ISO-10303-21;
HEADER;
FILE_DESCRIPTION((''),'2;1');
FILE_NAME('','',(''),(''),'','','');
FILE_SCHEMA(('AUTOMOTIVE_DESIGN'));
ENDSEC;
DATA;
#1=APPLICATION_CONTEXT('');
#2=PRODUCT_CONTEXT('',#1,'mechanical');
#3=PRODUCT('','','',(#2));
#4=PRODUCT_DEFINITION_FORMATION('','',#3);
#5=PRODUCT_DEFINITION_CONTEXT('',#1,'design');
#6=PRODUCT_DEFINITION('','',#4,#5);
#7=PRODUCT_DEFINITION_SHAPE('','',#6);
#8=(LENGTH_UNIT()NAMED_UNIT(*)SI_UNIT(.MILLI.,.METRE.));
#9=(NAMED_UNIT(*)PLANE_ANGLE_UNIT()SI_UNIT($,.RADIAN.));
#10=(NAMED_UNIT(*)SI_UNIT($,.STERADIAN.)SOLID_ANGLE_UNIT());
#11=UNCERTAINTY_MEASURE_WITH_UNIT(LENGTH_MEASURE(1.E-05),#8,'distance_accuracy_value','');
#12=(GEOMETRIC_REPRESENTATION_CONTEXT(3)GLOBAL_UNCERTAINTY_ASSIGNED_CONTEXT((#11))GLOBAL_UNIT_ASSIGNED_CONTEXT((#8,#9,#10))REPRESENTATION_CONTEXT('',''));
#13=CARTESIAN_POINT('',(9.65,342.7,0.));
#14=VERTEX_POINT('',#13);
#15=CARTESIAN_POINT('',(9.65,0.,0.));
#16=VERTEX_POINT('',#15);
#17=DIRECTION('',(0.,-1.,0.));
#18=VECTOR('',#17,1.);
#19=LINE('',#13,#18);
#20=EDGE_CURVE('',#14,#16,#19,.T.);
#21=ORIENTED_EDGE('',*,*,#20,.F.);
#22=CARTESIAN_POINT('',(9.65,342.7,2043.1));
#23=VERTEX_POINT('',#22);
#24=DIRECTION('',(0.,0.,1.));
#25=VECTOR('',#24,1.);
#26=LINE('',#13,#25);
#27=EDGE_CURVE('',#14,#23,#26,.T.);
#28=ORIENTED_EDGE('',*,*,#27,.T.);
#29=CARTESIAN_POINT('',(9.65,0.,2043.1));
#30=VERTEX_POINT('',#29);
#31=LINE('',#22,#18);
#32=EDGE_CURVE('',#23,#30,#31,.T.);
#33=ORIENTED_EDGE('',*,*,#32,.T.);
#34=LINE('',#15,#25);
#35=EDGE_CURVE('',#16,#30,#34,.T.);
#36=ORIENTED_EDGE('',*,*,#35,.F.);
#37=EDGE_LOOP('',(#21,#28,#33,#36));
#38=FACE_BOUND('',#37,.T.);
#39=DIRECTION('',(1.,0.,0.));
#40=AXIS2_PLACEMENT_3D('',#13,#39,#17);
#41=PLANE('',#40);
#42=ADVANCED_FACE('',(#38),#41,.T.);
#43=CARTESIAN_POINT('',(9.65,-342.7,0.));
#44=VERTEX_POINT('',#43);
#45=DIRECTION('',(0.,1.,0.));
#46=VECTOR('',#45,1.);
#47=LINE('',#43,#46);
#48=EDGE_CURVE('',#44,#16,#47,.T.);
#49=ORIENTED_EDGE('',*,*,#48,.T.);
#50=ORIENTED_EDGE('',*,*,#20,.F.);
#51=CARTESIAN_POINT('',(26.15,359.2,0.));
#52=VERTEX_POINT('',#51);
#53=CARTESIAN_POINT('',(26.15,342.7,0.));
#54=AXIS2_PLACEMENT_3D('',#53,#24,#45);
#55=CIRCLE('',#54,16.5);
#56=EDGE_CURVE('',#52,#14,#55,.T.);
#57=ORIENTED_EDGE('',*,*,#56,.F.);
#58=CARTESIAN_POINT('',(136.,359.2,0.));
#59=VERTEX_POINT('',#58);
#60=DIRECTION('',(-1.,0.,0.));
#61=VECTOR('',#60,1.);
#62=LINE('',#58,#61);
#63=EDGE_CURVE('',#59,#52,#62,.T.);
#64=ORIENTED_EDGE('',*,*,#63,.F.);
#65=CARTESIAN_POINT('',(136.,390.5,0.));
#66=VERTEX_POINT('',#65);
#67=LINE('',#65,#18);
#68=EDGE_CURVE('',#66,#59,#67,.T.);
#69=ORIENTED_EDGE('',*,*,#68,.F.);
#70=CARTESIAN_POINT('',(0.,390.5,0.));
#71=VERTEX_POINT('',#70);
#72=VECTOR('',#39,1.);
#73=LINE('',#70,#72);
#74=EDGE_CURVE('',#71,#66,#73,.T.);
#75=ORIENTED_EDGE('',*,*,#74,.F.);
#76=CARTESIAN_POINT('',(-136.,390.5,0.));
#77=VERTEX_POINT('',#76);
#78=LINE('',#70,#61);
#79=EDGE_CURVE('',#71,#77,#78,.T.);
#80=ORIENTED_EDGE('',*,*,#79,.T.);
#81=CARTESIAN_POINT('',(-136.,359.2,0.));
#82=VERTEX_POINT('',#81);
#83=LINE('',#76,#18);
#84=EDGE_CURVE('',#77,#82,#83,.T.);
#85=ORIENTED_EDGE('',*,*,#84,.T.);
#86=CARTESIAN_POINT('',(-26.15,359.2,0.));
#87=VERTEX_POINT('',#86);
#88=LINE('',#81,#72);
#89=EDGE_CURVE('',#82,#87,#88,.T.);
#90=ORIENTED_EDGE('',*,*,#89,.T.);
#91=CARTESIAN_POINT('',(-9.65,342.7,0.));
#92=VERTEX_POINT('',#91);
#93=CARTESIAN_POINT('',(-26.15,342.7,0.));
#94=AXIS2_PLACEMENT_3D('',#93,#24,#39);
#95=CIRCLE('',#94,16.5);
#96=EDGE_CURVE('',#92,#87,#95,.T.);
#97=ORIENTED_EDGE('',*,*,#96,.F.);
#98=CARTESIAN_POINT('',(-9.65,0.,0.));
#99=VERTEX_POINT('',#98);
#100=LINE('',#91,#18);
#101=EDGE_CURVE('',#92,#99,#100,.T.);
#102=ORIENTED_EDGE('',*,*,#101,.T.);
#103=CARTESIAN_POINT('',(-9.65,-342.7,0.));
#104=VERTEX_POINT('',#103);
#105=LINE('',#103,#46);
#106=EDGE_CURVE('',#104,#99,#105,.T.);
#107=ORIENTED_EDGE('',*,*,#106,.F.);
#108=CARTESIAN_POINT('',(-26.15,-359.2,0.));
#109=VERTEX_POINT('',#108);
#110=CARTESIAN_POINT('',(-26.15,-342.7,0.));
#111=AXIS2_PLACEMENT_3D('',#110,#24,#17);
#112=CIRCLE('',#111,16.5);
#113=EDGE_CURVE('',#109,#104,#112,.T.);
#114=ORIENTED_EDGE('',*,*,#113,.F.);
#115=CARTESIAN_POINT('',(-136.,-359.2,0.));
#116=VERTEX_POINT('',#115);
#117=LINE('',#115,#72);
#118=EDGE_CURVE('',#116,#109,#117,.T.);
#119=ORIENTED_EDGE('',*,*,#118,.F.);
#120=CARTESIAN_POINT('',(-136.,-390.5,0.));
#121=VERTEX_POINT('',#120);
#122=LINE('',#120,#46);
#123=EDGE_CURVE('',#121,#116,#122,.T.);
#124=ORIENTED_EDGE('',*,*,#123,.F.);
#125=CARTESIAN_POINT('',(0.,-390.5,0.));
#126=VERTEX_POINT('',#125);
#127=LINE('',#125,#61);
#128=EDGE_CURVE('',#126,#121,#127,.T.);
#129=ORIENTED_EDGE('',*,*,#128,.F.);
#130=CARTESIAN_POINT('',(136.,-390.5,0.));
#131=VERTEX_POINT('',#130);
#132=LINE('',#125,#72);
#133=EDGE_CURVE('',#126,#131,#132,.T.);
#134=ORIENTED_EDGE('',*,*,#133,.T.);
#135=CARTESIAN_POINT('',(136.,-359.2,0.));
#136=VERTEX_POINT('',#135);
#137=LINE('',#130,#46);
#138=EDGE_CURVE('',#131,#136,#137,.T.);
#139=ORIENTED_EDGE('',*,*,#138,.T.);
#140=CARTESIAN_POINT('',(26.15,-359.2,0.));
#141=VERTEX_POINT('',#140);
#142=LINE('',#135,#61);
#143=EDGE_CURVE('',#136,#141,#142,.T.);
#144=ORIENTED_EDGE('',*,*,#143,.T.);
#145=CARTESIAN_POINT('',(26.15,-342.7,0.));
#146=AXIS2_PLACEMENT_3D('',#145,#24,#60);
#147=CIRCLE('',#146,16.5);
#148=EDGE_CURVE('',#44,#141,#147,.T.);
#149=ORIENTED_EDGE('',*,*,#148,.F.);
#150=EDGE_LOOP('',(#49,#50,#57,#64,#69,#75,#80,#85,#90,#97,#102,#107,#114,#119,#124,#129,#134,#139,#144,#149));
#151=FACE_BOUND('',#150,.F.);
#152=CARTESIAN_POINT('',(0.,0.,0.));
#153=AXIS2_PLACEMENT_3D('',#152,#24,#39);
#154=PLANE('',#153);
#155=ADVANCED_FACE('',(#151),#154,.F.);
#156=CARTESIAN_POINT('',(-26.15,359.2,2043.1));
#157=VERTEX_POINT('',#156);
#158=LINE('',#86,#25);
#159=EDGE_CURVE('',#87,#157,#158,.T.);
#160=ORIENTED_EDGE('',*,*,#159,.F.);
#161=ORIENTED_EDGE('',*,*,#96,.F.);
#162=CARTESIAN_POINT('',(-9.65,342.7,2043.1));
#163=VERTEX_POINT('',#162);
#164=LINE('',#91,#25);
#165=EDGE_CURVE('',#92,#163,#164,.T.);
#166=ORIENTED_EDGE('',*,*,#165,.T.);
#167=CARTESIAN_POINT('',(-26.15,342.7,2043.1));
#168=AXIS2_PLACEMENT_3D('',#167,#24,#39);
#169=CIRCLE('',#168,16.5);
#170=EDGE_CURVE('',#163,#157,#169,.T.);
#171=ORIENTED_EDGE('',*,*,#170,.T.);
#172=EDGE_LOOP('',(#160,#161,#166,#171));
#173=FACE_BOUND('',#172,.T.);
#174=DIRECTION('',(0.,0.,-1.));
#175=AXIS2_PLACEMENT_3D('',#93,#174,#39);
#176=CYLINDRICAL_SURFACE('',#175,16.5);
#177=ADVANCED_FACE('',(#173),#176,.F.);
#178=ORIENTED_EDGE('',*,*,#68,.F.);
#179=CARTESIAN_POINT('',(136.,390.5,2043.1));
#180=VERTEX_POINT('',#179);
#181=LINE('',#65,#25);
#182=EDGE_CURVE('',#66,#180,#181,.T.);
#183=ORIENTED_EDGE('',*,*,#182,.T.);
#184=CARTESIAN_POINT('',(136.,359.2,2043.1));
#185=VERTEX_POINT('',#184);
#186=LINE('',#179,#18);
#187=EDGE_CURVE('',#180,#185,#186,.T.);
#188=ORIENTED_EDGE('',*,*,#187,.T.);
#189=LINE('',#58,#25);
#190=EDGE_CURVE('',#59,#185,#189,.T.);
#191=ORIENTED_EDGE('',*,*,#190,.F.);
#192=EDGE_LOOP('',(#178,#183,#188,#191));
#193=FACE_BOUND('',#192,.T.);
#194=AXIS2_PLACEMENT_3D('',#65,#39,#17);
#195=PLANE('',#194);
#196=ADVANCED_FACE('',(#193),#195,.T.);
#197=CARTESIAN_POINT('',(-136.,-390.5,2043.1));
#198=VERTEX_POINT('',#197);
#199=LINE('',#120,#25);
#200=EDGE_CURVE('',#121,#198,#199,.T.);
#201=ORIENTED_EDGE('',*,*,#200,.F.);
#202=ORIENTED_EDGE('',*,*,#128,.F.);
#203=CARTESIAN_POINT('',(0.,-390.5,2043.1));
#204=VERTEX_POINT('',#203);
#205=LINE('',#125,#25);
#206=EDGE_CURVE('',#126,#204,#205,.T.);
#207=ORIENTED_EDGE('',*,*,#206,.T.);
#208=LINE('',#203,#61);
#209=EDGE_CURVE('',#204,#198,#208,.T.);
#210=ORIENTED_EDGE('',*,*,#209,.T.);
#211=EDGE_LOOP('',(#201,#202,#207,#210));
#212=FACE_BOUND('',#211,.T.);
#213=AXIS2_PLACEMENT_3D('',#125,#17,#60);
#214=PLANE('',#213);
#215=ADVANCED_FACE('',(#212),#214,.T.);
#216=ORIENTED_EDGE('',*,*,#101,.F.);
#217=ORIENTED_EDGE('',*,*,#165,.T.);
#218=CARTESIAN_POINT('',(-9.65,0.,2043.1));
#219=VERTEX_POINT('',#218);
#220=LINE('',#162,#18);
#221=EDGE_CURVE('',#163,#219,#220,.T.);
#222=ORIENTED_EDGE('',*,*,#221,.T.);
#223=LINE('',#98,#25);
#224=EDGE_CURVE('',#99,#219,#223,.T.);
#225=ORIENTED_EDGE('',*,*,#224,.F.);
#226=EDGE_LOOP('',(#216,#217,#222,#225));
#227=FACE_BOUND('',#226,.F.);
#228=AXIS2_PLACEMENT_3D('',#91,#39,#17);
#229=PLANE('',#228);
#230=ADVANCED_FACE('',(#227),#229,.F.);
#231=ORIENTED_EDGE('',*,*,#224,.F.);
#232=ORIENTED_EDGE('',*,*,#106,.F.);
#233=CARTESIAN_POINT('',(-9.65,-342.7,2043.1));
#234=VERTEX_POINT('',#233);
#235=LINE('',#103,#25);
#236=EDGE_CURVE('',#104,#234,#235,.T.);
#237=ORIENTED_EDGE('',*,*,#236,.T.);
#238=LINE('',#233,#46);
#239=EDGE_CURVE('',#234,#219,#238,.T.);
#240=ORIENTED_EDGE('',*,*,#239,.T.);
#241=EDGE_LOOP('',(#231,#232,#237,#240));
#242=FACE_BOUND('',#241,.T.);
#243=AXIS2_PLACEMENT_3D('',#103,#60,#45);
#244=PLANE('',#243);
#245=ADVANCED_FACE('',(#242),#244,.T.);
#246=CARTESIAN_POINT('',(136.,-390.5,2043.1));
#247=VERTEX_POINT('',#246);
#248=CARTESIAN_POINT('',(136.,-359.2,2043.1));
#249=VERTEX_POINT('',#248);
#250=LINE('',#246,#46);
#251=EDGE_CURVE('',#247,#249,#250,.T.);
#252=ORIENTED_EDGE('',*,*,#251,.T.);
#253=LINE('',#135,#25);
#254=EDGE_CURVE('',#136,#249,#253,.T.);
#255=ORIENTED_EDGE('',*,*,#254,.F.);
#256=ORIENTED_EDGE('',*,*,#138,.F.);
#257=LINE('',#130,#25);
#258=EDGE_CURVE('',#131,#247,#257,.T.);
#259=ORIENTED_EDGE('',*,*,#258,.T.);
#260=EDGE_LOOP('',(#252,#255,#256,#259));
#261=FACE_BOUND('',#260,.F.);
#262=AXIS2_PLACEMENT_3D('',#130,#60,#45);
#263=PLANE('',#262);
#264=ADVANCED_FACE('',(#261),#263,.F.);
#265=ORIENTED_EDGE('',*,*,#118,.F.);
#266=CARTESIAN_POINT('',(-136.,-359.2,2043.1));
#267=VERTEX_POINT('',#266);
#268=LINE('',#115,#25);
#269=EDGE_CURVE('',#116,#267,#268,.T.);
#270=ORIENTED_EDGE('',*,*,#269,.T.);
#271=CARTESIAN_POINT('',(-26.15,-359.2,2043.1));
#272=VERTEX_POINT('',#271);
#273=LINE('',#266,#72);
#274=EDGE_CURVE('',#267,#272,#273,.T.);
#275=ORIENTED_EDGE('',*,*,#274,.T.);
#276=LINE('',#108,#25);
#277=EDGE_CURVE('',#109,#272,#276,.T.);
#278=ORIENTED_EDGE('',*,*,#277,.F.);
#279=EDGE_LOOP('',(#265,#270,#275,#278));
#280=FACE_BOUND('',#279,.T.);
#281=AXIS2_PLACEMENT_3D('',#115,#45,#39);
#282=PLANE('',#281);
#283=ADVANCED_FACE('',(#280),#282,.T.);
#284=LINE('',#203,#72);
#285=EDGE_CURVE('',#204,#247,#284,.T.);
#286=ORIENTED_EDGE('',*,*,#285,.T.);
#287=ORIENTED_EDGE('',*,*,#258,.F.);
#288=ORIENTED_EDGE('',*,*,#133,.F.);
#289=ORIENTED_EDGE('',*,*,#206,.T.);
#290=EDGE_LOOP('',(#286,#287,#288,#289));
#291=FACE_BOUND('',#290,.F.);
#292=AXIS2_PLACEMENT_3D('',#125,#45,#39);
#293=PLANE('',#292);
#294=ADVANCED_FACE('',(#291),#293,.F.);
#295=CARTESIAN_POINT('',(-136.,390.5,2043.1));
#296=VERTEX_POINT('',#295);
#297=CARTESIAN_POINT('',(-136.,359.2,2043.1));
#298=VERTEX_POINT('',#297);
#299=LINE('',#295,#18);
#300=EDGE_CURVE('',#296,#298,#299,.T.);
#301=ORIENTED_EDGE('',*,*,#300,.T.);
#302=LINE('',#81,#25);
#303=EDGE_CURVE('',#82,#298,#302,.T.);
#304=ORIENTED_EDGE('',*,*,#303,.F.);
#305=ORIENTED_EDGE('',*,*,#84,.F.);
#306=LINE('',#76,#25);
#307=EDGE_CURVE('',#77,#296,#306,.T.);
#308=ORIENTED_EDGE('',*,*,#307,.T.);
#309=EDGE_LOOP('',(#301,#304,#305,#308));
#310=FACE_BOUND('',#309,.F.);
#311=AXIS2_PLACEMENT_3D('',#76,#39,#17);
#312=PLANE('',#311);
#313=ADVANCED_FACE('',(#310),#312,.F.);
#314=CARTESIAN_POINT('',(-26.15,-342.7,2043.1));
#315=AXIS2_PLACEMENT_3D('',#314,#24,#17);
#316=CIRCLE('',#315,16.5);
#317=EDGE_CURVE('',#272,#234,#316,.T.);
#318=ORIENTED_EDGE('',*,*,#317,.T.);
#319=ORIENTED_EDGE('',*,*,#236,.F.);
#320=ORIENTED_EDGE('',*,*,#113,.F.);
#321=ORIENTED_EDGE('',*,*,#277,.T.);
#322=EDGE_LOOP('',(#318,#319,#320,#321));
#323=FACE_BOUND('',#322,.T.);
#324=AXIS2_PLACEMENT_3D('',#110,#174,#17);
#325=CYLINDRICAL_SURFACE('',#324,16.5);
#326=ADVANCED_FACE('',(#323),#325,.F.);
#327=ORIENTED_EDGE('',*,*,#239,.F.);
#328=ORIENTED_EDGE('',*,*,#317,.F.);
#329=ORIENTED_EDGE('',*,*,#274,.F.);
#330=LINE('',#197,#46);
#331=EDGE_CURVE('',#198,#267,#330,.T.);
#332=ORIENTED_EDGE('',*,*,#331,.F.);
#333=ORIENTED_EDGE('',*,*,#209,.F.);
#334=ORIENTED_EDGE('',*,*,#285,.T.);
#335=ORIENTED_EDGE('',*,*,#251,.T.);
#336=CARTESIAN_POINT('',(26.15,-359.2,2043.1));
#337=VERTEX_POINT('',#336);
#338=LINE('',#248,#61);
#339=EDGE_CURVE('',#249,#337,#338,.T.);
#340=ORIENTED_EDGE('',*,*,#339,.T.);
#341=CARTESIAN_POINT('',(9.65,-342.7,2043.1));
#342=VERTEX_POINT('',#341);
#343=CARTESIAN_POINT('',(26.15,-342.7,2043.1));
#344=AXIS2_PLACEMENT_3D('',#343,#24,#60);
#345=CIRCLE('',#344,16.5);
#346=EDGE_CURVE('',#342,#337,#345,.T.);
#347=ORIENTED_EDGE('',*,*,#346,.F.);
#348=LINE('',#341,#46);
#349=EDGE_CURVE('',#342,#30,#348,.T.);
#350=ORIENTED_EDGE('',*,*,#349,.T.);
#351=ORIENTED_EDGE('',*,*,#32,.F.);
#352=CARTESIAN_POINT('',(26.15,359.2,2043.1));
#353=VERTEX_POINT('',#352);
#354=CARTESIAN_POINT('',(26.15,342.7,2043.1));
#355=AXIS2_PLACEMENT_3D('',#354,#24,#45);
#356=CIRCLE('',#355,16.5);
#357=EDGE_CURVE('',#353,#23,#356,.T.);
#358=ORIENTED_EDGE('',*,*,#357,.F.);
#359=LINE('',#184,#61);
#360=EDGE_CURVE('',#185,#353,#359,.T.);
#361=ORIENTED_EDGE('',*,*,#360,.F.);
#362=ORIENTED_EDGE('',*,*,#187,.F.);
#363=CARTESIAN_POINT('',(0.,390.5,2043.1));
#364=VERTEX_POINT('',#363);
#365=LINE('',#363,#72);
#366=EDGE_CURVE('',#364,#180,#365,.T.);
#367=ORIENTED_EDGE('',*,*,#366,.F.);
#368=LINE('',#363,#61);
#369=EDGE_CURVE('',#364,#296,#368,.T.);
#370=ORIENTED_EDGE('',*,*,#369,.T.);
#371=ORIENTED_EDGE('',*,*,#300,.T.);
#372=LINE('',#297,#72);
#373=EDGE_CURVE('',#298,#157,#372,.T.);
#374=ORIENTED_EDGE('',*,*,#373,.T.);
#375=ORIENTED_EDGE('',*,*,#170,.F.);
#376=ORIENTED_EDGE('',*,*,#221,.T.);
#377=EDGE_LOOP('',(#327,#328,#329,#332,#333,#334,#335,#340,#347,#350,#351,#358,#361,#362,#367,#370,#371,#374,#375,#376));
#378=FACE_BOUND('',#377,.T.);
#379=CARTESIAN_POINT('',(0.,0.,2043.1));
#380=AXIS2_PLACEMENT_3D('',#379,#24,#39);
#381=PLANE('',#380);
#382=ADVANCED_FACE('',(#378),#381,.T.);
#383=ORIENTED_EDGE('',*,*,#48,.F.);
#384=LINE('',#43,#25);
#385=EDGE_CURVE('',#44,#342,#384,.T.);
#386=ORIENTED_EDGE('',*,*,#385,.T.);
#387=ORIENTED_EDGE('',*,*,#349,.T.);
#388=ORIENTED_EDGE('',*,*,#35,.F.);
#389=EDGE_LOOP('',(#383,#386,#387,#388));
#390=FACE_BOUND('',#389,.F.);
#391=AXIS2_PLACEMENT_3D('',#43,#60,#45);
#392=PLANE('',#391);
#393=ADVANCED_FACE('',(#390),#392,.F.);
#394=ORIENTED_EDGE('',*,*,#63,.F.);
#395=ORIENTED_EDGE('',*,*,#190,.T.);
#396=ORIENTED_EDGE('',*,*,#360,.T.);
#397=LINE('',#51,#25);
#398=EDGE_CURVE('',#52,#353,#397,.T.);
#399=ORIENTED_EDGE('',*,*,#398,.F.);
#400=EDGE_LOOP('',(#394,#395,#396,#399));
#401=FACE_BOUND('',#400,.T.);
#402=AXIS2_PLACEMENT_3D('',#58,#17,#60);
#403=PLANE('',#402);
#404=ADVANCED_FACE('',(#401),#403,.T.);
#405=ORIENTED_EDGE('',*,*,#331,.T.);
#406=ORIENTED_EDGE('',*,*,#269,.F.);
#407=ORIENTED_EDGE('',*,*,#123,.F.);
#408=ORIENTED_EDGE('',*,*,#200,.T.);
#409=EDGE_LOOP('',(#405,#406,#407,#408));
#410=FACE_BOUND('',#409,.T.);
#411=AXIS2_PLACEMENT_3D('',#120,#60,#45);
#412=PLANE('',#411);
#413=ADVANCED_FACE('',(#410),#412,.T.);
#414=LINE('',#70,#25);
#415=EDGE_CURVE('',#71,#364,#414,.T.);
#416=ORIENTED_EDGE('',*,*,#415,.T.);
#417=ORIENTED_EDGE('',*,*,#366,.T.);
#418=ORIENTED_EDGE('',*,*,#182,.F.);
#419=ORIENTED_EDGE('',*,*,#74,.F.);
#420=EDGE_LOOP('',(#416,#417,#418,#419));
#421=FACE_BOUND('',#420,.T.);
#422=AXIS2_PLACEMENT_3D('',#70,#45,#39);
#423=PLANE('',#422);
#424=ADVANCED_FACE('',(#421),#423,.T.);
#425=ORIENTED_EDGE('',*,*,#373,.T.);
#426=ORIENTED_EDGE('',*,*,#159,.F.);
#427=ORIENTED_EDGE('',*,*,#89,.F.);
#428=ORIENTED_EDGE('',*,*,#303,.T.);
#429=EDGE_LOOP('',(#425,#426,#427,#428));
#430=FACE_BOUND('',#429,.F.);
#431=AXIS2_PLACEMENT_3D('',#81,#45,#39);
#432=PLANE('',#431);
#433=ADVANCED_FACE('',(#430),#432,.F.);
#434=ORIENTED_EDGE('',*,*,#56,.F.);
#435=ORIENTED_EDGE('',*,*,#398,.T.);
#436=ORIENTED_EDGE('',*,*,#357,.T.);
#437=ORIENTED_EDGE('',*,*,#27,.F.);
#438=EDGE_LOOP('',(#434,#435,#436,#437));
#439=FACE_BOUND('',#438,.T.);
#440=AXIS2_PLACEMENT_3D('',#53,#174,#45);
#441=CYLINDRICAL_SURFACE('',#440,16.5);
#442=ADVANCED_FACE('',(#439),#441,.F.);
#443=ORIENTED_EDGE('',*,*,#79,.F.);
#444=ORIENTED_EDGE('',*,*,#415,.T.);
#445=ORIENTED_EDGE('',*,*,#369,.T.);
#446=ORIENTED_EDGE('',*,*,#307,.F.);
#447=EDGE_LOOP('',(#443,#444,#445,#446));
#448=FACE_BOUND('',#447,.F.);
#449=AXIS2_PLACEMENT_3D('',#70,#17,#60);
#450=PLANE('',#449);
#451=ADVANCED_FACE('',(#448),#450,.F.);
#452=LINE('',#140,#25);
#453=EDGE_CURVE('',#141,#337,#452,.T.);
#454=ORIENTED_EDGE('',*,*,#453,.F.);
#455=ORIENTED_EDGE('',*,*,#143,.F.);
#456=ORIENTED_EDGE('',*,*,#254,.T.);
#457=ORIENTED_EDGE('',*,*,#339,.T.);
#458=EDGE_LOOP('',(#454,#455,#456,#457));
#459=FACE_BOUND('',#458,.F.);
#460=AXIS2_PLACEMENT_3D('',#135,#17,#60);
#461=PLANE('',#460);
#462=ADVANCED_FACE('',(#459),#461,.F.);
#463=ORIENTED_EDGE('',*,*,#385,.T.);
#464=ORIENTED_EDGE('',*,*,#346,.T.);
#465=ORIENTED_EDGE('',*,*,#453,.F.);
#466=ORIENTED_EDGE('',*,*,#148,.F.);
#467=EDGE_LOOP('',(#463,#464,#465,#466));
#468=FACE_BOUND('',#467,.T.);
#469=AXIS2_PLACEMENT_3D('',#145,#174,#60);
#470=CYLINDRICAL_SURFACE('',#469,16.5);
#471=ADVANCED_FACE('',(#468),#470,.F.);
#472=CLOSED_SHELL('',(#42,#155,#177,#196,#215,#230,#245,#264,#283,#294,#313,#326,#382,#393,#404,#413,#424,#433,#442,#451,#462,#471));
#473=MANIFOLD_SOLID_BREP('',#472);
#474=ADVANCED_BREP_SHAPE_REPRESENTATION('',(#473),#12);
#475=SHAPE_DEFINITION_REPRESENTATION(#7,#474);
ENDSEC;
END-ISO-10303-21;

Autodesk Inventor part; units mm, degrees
ref_plane "YZ Plane" through (0, 0, 0) normal (1, 0, 0) x (0, 1, 0)
ref_plane "Start plane" through (0, 0, 0) normal (0, 0, 1) x (1, 0, 0)
ref_plane "End plane" through (0, 0, 2043.1) normal (0, 0, 1) x (1, 0, 0)
sketch "Sketch" plane through (0, 0, 0) normal (0, 0, 1) x (1, 0, 0)
  line L0 (-136, -390.5) -> (-136, -359.2)
  line L1 (-136, -359.2) -> (-26.15, -359.2)
  line L2 (-9.65, -342.7) -> (-9.65, 0)
  line L3 (-9.65, 0) -> (0, 0) construction
  line L4 (0, 0) -> (0, -390.5) construction
  line L5 (0, -390.5) -> (-136, -390.5)
  line L6 (-60, 0) -> (80, 0) construction
  line L7 (0, -60) -> (0, 80) construction
  line L8 (136, -390.5) -> (136, -359.2)
  line L9 (136, -359.2) -> (26.15, -359.2)
  line L10 (9.65, -342.7) -> (9.65, 0)
  line L11 (9.65, 0) -> (0, 0) construction
  line L12 (0, -390.5) -> (136, -390.5)
  line L13 (-136, 390.5) -> (-136, 359.2)
  line L14 (-136, 359.2) -> (-26.15, 359.2)
  line L15 (-9.65, 342.7) -> (-9.65, 0)
  line L16 (0, 390.5) -> (-136, 390.5)
  line L17 (136, 390.5) -> (136, 359.2)
  line L18 (136, 359.2) -> (26.15, 359.2)
  line L19 (0, 390.5) -> (136, 390.5)
  line L20 (9.65, 342.7) -> (9.65, 0)
  arc A0 (-9.65, 342.7) -> (-26.15, 359.2) centre (-26.15, 342.7) ccw
  arc A1 (26.15, 359.2) -> (9.65, 342.7) centre (26.15, 342.7) ccw
  arc A2 (9.65, -342.7) -> (26.15, -359.2) centre (26.15, -342.7) ccw
  arc A3 (-26.15, -359.2) -> (-9.65, -342.7) centre (-26.15, -342.7) ccw
  line L21 (0, 108) -> (0, -88) construction
  line L22 (-88, 0) -> (108, 0) construction
  point P0 (-9.65, -359.2)
  point P1 (9.65, -359.2)
  point P2 (-9.65, 359.2)
  point P3 (9.65, 359.2)
  dimension "d1" = 390.5
  dimension "d2" = 31.3
  dimension "d3" = 136
  dimension "d4" = 9.65
  dimension "d10" = 16.5
extrude "Body" add sketch "Sketch" along normal up to surface (2043.1 mm away) from surface at 0
sketch "Sketch4" plane through (0, 0, 0) normal (0, 0, 1) x (1, 0, 0)
  line L0 (0, 0) -> (10, 0)
ref_plane "Work Plane3" through (0, 0, 0) normal (0, -1, 0) x (1, 0, 0)
sketch "Sketch5" plane through (0, 0, 0) normal (0, -1, 0) x (1, 0, 0)
  line L0 (-2, 0) -> (12, 0) projected
  line L1 (-2, 2043.1) -> (12, 2043.1) projected
  dimension "d14" = 2043.1
equation "\"d1\" = 0.5 * G_H"
equation "\"d2\" = G_T1"
equation "\"d3\" = 0.5 * G_W"
equation "\"d4\" = 0.5 * G_T"
equation "\"d10\" = G_IR"
equation "\"d5\" = G_L"
equation "\"G_W\" = 272"
equation "\"G_H\" = 781"
equation "\"G_T\" = 19.3"
equation "\"G_T1\" = 31.3"
equation "\"G_IR\" = 16.5"
equation "\"G_L\" = d14"
equation "\"G_OFFSET_START\" = 0"
equation "\"G_OFFSET_END\" = 0"
equation "\"d12\" = G_OFFSET_END + B_L"
equation "\"B_L\" = 2043.1"
properties part number "AS 3679-1990 - 760 UB - 244 - 2043.1" material "Steel, Mild"
